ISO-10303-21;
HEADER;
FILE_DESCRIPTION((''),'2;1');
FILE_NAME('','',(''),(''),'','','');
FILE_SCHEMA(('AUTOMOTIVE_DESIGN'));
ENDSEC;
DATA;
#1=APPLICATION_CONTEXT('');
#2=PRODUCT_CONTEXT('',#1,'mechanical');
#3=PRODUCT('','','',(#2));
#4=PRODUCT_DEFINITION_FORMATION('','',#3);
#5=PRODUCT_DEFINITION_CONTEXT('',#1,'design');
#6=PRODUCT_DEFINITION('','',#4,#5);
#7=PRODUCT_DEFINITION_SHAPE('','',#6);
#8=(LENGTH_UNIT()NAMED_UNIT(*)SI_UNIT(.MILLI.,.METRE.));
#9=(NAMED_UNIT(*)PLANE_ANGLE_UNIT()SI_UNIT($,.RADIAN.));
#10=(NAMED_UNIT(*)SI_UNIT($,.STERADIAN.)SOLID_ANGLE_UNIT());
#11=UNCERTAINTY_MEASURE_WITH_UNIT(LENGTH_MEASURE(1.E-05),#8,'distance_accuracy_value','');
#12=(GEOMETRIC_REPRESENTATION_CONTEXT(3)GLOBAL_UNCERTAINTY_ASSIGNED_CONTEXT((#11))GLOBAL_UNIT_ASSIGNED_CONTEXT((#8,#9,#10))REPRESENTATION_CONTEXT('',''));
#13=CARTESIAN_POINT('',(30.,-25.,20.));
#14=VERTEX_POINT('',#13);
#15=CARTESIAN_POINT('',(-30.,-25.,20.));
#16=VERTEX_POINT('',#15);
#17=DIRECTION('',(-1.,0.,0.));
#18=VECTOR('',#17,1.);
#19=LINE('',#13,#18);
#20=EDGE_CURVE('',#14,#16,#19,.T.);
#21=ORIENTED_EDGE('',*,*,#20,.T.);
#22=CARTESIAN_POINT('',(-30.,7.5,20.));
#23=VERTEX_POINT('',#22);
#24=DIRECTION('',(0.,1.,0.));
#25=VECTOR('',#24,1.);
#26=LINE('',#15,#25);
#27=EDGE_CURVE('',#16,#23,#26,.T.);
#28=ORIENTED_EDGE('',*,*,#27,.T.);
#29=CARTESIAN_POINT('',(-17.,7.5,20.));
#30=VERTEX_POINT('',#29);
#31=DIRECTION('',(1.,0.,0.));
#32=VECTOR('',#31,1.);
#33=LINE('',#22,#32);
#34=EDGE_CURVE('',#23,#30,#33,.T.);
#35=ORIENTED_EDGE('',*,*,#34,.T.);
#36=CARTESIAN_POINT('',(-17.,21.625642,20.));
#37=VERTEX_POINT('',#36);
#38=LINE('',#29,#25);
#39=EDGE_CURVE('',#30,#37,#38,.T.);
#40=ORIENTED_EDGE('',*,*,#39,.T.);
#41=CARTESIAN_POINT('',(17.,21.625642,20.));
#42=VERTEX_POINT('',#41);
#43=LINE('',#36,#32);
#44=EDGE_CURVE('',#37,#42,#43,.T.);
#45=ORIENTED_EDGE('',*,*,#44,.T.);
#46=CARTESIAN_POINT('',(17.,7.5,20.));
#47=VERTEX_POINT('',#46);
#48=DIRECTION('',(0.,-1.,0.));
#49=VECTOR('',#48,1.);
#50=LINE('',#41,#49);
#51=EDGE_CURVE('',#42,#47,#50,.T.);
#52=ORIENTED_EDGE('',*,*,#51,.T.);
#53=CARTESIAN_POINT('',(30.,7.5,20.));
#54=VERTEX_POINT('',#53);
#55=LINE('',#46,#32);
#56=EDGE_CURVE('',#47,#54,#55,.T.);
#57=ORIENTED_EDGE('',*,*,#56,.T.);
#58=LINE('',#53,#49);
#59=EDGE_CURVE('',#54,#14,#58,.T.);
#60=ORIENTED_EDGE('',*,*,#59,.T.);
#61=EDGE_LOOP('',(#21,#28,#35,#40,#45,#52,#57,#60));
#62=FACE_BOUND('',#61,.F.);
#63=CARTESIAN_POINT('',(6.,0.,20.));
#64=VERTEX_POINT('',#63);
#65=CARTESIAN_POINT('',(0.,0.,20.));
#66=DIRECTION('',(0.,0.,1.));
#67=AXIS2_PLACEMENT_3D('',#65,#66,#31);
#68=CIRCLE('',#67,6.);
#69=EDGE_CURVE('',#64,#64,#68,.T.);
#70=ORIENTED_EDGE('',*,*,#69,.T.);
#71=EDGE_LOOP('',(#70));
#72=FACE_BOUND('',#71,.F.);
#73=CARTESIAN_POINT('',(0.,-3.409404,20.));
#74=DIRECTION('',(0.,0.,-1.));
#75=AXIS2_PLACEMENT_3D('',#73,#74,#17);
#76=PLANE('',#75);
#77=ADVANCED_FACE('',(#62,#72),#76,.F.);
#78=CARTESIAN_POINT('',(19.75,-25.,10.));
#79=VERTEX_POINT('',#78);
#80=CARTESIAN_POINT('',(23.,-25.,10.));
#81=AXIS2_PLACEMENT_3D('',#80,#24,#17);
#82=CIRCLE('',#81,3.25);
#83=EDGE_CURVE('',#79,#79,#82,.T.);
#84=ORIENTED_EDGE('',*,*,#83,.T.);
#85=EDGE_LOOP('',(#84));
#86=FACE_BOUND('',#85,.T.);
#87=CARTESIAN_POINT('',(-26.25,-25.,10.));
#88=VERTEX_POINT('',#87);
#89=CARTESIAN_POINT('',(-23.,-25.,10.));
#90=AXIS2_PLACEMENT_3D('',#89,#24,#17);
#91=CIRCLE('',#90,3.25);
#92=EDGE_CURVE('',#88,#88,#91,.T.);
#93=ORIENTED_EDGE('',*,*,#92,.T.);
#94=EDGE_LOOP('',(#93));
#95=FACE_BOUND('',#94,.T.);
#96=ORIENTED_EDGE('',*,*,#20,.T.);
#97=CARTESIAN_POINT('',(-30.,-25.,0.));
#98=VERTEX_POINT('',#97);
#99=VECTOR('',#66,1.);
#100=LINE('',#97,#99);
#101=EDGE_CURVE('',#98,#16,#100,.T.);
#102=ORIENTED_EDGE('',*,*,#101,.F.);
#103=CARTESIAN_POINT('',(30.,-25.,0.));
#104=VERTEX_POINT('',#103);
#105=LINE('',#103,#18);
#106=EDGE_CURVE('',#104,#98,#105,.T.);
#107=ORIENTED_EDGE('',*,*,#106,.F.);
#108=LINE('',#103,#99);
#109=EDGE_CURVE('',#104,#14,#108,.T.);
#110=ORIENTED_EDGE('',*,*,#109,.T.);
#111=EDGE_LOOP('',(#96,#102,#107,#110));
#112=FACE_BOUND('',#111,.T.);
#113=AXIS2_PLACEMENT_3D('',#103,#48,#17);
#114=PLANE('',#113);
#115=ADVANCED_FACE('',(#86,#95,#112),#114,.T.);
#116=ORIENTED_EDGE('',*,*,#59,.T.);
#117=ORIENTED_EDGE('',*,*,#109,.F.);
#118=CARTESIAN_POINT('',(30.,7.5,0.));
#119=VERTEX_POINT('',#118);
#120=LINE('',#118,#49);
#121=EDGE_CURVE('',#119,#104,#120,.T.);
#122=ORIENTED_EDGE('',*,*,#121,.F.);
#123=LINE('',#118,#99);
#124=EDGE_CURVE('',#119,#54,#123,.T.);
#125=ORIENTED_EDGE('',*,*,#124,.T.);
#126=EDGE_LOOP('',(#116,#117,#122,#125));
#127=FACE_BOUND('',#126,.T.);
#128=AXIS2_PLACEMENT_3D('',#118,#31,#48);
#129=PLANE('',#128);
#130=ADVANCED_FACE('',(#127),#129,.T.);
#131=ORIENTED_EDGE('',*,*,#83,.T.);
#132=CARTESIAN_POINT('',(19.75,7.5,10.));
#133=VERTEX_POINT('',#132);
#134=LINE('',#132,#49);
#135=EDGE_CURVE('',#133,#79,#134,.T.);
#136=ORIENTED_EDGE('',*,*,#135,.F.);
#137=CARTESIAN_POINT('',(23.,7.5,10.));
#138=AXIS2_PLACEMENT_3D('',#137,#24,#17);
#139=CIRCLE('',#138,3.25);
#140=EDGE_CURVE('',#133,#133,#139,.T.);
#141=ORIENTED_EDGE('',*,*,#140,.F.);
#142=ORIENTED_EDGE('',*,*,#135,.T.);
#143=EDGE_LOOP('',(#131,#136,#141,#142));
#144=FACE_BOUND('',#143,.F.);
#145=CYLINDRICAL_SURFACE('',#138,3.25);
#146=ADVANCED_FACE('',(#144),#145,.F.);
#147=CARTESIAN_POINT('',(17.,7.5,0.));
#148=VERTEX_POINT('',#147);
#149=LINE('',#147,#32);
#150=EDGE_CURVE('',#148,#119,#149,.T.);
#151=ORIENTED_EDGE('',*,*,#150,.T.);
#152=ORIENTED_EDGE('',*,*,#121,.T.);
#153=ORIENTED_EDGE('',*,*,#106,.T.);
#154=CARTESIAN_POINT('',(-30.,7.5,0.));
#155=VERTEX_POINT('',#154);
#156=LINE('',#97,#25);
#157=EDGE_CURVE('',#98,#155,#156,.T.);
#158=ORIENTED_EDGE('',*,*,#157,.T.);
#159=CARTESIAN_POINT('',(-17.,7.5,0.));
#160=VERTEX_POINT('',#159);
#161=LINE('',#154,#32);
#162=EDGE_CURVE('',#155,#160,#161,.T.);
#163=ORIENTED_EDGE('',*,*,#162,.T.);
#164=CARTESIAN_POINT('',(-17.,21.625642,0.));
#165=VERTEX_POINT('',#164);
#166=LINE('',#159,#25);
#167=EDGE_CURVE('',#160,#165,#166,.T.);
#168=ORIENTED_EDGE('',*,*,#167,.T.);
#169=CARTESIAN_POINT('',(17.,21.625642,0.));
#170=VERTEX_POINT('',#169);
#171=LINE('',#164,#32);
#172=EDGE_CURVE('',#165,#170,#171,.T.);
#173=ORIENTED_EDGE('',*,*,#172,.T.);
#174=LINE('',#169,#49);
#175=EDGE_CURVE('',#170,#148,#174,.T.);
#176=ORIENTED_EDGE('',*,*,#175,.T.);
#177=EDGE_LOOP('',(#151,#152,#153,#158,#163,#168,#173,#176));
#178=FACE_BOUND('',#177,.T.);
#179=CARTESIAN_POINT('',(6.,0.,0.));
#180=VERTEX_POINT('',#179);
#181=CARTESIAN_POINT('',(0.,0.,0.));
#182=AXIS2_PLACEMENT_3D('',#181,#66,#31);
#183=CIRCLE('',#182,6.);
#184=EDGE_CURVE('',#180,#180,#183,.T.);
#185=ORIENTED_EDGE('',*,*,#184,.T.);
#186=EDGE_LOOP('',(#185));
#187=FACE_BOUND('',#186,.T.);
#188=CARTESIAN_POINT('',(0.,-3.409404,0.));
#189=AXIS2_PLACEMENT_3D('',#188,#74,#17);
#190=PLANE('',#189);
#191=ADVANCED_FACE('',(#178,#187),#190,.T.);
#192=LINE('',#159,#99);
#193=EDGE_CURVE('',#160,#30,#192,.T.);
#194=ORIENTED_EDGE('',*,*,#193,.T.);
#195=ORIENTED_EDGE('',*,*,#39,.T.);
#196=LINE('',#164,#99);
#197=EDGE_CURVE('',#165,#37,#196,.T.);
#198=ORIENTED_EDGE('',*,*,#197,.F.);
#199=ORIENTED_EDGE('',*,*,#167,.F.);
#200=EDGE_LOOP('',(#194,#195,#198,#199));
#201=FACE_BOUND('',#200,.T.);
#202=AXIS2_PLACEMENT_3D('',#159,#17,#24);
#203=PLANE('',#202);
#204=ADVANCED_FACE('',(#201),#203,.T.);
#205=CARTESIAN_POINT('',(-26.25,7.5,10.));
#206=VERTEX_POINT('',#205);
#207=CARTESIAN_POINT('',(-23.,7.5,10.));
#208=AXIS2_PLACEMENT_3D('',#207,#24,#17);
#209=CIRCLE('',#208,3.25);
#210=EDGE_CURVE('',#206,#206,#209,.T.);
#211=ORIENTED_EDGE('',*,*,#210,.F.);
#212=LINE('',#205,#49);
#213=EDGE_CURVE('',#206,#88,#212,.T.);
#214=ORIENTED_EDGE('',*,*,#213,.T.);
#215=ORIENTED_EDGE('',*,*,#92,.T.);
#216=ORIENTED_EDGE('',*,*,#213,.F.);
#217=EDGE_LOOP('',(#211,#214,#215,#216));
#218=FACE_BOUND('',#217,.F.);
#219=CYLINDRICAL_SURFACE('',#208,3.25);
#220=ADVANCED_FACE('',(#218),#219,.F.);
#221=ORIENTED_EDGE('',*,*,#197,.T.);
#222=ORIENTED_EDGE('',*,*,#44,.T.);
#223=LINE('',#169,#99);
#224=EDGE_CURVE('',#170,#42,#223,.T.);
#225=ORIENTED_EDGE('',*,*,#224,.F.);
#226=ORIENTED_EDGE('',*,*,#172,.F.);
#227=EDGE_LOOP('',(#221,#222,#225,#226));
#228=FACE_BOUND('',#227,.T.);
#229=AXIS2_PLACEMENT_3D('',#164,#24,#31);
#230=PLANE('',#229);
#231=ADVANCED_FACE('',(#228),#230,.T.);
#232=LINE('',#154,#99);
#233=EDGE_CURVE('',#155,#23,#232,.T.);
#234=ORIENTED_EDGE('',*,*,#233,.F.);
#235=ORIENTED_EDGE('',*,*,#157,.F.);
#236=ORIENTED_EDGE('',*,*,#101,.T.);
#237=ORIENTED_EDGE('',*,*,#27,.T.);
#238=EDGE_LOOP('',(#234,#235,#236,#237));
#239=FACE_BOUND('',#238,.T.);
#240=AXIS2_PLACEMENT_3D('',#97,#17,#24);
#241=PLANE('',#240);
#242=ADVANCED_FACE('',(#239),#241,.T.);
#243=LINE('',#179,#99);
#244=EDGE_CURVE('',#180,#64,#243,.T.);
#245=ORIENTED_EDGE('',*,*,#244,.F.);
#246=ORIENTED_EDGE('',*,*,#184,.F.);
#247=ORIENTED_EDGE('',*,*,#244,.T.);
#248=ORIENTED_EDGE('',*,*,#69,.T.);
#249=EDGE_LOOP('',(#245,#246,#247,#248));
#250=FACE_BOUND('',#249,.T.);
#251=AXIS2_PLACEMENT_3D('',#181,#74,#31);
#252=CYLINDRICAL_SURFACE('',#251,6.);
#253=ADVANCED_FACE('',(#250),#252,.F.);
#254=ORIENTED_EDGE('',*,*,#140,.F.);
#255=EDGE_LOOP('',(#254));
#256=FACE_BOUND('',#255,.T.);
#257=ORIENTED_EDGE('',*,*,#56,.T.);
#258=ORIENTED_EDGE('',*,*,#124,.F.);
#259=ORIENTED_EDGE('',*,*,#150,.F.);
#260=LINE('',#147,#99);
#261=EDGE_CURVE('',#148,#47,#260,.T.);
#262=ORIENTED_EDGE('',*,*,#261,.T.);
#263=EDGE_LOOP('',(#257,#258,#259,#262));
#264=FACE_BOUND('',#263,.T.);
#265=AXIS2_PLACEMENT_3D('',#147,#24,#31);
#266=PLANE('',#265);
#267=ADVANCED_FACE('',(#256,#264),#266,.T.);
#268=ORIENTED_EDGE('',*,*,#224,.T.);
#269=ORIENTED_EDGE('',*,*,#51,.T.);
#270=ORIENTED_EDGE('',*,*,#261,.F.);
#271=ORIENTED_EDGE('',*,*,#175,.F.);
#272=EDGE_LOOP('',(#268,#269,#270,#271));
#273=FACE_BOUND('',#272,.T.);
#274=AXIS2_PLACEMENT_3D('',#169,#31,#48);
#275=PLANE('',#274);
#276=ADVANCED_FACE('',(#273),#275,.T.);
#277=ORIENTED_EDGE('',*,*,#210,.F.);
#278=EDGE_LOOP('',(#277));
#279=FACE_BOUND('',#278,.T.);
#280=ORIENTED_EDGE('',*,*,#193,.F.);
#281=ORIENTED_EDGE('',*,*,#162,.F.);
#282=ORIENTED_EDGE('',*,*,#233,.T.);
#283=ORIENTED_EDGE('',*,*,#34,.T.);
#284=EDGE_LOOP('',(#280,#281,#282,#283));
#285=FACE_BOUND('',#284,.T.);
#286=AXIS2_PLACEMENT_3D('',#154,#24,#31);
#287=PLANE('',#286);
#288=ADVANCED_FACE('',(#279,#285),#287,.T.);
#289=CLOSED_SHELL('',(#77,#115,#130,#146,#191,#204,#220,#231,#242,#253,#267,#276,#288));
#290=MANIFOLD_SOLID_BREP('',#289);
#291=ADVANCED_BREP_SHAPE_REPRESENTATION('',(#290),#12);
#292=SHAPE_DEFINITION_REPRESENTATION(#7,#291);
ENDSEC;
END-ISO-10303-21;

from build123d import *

# Parameters (mm, degrees)
SKETCH_R     = 6
PAD_DEPTH    = 20
SKETCH001_R  = 3.25
POCKET_DEPTH = 32.501


with BuildPart() as part:
    # Sketch → Pad (new body)
    with BuildSketch(Plane.XY):
        Polygon((-17, 21.625642), (17, 21.625642), (17, 7.5), (30, 7.5), (30, -25), (-30, -25), (-30, 7.5), (-17, 7.5), align=None)
        Circle(SKETCH_R, mode=Mode.SUBTRACT)
    extrude(amount=PAD_DEPTH)

    # Sketch001 (on Face7 of Pad) → Pocket (cut, through all)
    with BuildSketch(Plane(origin=(0, 7.5, 0), x_dir=(-1, 0, 0), z_dir=(0, 1, 0))):
        with Locations((-23, 10)):
            Circle(SKETCH001_R)
        with Locations((23, 10)):
            Circle(SKETCH001_R)
    extrude(amount=-POCKET_DEPTH, mode=Mode.SUBTRACT)


solid = part.part
